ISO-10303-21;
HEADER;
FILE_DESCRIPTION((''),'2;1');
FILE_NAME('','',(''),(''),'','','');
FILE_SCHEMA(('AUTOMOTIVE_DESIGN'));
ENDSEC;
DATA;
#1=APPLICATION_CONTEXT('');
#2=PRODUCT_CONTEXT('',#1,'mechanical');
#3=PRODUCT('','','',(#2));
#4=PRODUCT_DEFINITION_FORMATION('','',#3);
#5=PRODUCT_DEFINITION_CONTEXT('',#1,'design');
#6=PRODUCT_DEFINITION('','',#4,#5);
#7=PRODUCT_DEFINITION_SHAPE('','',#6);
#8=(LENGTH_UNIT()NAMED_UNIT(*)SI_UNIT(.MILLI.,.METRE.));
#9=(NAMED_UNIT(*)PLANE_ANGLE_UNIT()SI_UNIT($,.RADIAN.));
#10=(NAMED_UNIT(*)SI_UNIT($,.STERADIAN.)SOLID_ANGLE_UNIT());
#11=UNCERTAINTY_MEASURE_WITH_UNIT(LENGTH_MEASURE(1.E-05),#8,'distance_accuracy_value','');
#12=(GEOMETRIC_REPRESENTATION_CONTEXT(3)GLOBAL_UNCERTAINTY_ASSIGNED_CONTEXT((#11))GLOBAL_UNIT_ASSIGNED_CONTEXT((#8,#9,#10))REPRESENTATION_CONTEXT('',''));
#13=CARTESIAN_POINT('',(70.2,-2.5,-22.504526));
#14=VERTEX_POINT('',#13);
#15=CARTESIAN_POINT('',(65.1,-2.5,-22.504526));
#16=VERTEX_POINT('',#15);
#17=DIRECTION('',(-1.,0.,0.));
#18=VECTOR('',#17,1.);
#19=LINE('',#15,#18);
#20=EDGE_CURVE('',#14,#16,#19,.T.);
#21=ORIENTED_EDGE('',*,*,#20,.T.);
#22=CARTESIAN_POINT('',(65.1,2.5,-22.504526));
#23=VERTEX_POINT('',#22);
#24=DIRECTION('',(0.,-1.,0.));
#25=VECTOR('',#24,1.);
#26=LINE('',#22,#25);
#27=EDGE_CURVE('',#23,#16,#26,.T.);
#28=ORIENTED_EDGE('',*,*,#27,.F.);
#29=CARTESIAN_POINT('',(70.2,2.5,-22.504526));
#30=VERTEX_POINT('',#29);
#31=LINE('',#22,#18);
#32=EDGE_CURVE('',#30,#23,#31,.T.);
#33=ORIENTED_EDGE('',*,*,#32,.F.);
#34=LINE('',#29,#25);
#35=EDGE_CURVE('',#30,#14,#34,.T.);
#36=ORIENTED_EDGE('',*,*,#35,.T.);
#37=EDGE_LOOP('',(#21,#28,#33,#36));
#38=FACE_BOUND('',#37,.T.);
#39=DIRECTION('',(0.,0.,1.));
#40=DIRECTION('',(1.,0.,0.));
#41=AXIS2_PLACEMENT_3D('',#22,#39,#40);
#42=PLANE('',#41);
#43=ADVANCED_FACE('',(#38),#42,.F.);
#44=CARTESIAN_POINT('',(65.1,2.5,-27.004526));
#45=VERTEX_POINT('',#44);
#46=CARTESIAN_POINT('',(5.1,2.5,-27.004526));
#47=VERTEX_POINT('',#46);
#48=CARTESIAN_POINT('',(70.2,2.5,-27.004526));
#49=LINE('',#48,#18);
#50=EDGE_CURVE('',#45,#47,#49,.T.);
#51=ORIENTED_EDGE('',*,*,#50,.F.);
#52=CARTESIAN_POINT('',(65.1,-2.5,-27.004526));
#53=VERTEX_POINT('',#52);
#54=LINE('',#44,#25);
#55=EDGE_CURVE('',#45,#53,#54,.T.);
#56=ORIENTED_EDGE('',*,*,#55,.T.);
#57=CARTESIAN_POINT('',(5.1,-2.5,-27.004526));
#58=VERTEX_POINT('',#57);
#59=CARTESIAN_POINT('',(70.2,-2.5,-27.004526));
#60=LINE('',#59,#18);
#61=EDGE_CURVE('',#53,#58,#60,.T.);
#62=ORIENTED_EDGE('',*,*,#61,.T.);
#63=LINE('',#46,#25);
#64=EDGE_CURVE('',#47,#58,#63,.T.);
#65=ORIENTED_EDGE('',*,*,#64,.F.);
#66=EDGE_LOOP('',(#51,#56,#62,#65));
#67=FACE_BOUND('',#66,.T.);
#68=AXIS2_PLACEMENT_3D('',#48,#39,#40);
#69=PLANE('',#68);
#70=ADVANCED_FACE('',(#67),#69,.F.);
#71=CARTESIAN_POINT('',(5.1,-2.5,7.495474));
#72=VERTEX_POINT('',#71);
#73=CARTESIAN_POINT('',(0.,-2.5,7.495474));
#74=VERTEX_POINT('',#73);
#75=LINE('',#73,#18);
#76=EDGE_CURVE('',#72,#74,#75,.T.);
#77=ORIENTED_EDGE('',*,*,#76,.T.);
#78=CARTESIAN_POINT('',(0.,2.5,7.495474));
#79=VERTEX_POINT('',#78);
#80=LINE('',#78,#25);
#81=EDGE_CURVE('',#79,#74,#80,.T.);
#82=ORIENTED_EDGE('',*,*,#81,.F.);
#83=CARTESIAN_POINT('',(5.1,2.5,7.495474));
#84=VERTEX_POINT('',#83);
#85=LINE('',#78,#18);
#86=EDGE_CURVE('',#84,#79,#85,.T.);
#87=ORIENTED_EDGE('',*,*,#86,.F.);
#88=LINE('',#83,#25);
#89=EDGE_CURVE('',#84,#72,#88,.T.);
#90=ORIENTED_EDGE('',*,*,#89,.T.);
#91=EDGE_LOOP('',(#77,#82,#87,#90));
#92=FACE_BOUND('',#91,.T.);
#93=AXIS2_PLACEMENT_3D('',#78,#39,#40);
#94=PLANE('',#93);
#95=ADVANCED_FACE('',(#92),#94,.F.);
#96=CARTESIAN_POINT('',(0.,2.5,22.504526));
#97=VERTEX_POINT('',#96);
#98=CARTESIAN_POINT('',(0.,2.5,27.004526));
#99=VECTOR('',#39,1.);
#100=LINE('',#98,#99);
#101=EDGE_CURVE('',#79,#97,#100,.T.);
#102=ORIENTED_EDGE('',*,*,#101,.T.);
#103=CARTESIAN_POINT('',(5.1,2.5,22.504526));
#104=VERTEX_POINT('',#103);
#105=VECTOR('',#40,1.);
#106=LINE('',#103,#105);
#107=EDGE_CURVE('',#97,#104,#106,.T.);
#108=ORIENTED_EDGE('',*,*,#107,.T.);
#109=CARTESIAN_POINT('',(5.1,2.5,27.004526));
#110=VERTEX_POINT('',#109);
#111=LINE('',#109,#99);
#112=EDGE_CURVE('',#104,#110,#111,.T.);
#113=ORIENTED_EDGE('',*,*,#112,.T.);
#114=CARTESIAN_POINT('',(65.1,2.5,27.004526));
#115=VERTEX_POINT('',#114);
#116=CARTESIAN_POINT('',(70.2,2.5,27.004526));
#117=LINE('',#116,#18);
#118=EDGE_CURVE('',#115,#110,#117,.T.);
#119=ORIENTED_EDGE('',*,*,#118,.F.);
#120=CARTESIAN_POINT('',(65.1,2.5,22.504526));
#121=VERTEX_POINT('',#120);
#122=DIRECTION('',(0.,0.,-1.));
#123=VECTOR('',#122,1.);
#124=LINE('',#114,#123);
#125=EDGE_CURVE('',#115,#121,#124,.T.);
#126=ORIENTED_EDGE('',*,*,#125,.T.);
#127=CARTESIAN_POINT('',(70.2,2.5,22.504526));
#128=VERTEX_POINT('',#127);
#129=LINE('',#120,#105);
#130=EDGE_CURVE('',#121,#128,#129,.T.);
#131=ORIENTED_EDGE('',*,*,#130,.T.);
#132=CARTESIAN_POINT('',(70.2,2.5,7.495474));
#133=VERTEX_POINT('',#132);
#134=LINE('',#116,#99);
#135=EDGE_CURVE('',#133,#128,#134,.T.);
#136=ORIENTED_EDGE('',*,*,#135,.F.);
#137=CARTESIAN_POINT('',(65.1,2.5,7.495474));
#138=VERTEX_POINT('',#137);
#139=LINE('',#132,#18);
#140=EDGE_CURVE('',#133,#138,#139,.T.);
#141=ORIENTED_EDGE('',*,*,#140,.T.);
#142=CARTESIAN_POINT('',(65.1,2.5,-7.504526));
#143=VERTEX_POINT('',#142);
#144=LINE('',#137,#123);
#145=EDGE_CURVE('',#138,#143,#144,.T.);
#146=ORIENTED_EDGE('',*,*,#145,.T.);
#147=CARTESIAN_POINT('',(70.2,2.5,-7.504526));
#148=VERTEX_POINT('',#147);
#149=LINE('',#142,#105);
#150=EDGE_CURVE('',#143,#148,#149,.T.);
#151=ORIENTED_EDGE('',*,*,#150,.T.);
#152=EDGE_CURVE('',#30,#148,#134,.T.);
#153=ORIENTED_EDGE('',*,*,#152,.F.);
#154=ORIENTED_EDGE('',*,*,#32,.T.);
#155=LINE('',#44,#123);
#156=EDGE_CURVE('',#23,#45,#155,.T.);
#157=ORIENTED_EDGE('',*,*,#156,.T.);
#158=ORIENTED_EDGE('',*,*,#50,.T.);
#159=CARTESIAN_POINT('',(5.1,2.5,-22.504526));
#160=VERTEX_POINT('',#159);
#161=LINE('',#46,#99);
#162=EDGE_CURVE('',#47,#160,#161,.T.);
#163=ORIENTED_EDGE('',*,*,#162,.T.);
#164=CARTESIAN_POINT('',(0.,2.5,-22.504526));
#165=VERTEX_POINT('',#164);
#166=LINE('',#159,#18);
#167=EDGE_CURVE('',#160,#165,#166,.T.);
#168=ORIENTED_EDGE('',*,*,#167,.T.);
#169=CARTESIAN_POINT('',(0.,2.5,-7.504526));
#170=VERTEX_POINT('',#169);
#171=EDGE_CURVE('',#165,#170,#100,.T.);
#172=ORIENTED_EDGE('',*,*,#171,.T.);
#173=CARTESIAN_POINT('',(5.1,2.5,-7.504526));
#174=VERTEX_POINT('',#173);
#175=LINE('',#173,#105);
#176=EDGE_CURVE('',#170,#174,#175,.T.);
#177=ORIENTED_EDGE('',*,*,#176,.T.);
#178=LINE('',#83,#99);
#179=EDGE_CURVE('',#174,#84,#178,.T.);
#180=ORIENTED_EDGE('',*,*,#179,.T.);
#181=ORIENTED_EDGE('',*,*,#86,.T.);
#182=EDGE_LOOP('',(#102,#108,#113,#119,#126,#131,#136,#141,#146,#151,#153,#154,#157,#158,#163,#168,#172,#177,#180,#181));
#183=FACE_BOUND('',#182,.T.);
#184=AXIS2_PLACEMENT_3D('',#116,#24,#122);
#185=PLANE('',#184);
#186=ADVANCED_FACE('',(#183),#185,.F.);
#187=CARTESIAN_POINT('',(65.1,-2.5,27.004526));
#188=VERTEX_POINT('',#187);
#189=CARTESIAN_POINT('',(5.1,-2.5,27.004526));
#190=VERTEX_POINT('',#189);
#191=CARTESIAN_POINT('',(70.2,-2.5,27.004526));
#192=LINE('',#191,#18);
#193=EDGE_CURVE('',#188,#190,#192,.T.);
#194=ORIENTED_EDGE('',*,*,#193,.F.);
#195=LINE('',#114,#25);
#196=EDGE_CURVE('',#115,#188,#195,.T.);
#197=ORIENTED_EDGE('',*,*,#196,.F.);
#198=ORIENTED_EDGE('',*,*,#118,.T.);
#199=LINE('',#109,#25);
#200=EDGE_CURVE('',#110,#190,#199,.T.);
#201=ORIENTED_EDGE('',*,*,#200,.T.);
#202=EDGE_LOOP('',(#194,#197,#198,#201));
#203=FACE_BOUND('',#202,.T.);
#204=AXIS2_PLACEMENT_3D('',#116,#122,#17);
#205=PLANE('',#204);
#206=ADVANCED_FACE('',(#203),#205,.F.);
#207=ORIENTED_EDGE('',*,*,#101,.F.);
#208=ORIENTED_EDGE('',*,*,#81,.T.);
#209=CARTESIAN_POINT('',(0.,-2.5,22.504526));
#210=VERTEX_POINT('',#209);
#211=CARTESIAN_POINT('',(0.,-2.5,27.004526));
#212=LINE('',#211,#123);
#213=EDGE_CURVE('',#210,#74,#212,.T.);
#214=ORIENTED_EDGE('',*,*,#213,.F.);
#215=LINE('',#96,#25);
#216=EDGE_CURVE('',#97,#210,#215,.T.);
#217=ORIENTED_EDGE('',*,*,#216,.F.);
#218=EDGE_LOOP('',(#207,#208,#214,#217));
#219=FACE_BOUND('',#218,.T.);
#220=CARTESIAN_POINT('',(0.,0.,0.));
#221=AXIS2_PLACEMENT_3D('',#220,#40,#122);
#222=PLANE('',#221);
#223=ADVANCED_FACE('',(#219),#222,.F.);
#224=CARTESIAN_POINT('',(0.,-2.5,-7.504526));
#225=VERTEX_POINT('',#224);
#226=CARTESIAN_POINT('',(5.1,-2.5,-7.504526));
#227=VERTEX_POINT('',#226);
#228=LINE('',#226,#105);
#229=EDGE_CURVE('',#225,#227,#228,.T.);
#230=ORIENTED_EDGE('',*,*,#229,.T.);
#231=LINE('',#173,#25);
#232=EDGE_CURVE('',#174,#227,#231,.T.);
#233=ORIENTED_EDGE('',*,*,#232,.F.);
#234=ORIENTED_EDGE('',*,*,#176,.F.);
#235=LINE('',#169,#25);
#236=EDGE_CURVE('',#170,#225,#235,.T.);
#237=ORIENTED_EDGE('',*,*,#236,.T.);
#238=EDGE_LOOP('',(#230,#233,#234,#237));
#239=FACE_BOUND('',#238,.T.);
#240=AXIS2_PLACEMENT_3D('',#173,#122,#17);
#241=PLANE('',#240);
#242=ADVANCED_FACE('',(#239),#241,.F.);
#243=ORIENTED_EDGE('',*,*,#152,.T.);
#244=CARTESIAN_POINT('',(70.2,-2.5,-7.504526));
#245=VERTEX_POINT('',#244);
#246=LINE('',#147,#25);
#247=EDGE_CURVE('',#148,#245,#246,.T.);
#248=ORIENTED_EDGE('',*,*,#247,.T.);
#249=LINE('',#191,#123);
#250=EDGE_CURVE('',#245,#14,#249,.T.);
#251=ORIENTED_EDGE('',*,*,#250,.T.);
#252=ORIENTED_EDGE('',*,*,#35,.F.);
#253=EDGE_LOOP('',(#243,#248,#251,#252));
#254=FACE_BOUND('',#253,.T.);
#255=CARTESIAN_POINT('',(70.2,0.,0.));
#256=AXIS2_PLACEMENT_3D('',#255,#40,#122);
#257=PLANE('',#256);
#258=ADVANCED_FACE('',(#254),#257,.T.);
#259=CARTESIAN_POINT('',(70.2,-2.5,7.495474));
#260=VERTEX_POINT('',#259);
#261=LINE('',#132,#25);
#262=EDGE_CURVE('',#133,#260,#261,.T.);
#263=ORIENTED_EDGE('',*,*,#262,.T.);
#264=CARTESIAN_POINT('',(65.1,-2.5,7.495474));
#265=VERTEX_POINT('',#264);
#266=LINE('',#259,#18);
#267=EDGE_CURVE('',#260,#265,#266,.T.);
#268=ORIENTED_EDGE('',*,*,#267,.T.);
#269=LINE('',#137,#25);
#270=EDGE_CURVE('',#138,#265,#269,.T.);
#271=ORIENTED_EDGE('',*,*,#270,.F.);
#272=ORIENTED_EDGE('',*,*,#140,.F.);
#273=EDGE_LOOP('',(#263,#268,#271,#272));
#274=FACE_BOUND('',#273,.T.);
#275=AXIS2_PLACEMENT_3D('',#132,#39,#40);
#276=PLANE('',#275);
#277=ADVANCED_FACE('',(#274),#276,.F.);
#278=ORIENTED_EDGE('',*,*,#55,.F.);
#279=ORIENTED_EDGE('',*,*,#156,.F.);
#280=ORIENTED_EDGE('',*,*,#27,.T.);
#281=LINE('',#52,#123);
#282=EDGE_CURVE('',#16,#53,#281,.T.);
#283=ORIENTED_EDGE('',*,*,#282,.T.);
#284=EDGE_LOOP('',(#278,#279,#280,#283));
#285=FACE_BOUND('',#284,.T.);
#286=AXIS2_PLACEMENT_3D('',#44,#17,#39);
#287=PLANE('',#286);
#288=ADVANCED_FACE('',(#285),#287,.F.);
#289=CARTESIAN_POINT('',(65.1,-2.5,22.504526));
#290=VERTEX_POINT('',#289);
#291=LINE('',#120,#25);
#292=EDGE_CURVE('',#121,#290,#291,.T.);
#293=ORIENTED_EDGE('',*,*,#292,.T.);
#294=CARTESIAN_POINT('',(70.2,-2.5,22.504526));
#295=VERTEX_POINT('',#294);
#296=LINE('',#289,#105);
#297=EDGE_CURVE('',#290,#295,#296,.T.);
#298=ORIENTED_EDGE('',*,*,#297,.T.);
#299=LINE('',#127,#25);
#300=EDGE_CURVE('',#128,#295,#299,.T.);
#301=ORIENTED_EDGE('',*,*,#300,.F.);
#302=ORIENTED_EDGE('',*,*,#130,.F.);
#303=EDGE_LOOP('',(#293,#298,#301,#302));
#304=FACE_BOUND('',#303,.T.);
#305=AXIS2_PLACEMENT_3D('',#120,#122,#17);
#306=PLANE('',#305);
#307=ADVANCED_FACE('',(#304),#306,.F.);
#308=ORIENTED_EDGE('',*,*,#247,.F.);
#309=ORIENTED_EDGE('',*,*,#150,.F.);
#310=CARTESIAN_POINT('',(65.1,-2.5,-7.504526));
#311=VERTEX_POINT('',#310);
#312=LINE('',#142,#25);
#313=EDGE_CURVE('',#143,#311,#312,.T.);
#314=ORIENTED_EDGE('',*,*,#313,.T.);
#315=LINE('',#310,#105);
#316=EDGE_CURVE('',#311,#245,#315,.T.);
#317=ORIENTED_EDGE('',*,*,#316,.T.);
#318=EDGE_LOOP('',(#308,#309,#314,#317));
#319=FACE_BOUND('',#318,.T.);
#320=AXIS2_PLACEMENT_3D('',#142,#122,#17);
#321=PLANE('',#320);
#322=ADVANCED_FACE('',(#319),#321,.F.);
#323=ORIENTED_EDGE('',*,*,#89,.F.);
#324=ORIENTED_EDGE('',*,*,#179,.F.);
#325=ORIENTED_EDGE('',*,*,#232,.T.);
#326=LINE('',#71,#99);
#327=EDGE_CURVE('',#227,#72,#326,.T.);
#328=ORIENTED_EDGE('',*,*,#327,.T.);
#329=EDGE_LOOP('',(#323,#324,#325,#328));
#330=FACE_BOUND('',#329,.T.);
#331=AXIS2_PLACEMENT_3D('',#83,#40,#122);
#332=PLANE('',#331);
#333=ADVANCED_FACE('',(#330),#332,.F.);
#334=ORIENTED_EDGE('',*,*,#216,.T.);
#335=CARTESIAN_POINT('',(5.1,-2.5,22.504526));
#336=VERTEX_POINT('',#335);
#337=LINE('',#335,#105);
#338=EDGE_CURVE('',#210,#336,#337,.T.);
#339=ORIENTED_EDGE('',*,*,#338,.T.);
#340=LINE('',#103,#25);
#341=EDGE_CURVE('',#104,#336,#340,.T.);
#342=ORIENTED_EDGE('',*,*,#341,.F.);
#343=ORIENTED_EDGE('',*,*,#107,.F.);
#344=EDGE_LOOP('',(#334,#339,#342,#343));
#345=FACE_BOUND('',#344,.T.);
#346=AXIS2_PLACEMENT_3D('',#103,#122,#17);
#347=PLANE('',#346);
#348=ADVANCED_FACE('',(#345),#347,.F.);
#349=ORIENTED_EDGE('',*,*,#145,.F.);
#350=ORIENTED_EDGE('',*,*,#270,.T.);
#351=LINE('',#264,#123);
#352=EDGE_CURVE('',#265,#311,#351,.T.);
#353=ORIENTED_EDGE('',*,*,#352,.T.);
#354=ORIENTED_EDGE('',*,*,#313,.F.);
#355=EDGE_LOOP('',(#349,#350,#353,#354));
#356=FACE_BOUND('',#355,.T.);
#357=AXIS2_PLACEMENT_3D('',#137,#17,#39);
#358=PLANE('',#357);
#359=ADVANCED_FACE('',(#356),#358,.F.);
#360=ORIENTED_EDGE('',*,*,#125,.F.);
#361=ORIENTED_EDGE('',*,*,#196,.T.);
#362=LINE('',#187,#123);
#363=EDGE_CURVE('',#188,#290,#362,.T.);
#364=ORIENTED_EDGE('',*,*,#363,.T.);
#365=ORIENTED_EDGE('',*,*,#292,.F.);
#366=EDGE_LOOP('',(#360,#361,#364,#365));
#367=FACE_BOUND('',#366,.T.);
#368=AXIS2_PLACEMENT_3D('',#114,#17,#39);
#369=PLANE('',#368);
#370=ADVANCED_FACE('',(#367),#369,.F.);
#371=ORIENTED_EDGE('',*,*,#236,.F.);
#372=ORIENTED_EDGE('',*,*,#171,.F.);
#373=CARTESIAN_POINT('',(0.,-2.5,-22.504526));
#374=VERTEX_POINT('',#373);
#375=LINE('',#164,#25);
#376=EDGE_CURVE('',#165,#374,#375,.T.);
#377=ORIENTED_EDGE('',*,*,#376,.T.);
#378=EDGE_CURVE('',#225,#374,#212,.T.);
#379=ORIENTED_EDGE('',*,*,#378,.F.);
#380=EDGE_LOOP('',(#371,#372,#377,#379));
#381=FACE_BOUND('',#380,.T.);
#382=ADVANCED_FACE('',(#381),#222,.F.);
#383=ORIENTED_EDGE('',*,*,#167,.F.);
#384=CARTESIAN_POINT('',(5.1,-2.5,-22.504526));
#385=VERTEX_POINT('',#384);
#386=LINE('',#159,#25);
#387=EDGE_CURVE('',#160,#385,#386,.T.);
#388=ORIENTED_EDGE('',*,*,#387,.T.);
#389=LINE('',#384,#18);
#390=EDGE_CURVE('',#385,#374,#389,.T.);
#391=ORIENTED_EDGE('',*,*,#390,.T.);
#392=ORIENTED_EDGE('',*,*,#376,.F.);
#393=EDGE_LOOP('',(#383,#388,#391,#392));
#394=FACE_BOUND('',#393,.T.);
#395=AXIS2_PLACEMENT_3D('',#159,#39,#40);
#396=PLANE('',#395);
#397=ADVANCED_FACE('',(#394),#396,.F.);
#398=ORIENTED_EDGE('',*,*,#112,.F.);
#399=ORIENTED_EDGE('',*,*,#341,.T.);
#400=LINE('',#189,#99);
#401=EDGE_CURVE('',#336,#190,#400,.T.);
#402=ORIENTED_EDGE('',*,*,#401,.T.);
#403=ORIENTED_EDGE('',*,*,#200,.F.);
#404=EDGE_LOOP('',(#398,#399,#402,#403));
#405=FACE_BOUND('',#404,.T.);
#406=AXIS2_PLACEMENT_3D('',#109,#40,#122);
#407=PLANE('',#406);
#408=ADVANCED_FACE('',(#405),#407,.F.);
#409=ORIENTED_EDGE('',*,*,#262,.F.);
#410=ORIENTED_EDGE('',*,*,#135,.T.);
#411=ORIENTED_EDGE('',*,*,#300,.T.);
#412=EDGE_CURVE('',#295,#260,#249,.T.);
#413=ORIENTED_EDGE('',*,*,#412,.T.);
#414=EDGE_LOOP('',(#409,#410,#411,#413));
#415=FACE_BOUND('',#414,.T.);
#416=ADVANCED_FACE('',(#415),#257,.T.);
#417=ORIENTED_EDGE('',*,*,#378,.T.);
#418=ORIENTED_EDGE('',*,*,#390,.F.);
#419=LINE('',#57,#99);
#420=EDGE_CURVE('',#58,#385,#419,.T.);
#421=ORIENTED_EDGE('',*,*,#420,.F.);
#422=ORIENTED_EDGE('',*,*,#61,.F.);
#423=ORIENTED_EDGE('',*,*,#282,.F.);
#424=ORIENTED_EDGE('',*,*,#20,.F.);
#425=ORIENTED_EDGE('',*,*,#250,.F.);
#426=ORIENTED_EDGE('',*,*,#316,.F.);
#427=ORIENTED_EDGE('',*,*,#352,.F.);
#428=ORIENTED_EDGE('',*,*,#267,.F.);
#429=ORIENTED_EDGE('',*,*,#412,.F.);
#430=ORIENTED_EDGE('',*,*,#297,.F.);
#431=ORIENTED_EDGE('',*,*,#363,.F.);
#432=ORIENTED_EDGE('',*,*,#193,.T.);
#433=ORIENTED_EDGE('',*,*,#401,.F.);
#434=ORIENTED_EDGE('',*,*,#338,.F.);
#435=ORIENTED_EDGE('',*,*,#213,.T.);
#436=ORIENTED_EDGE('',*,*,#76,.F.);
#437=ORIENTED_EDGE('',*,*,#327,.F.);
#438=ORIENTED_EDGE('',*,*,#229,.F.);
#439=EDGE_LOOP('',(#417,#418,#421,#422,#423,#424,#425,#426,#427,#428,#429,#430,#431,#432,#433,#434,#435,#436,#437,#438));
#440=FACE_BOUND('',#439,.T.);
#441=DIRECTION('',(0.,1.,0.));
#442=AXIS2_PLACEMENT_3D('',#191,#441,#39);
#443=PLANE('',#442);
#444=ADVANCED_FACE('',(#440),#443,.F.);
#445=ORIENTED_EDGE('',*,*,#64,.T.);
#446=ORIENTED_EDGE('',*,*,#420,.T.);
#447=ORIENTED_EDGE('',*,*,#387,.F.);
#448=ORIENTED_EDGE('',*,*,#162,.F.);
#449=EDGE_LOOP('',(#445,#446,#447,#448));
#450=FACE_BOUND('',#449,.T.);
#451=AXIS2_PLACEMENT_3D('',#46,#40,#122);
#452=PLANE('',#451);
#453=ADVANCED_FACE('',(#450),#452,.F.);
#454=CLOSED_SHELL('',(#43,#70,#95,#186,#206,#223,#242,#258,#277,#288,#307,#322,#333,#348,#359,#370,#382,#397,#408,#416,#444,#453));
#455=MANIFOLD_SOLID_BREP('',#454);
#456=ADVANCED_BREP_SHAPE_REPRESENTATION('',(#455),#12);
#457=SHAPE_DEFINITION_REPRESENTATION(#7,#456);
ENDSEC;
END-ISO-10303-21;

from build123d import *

# Parameters (mm, degrees)
SKETCH1_W           = 54.009051094
SKETCH1_H           = 5
BOSS_EXTRUDE1_DEPTH = 70.2
SKETCH5_W           = 5.1
SKETCH5_H           = 4.5
SKETCH5_H_2         = 15
CUT_EXTRUDE1_DEPTH  = 76.380928623


with BuildPart() as part:
    # Sketch1 → Boss-Extrude1 (new body)
    with BuildSketch(Plane(origin=(0, 0, 0), x_dir=(0, 0, -1), z_dir=(1, 0, 0))):
        Rectangle(SKETCH1_W, SKETCH1_H)
    extrude(amount=BOSS_EXTRUDE1_DEPTH)

    # Sketch5 → Cut-Extrude1 (cut, through all)
    with BuildSketch(Plane.XZ.offset(2.5)):
        with Locations((67.65, 24.754525547)):
            Rectangle(SKETCH5_W, SKETCH5_H)
        with Locations((67.65, -24.754525547)):
            Rectangle(SKETCH5_W, SKETCH5_H)
        with Locations((67.65, -0.004525547)):
            Rectangle(SKETCH5_W, SKETCH5_H_2)
        with Locations((2.55, -24.754525547)):
            Rectangle(SKETCH5_W, SKETCH5_H)
        with Locations((2.55, -0.004525547)):
            Rectangle(SKETCH5_W, SKETCH5_H_2)
        with Locations((2.55, 24.754525547)):
            Rectangle(SKETCH5_W, SKETCH5_H)
    extrude(amount=-CUT_EXTRUDE1_DEPTH, mode=Mode.SUBTRACT)


solid = part.part
